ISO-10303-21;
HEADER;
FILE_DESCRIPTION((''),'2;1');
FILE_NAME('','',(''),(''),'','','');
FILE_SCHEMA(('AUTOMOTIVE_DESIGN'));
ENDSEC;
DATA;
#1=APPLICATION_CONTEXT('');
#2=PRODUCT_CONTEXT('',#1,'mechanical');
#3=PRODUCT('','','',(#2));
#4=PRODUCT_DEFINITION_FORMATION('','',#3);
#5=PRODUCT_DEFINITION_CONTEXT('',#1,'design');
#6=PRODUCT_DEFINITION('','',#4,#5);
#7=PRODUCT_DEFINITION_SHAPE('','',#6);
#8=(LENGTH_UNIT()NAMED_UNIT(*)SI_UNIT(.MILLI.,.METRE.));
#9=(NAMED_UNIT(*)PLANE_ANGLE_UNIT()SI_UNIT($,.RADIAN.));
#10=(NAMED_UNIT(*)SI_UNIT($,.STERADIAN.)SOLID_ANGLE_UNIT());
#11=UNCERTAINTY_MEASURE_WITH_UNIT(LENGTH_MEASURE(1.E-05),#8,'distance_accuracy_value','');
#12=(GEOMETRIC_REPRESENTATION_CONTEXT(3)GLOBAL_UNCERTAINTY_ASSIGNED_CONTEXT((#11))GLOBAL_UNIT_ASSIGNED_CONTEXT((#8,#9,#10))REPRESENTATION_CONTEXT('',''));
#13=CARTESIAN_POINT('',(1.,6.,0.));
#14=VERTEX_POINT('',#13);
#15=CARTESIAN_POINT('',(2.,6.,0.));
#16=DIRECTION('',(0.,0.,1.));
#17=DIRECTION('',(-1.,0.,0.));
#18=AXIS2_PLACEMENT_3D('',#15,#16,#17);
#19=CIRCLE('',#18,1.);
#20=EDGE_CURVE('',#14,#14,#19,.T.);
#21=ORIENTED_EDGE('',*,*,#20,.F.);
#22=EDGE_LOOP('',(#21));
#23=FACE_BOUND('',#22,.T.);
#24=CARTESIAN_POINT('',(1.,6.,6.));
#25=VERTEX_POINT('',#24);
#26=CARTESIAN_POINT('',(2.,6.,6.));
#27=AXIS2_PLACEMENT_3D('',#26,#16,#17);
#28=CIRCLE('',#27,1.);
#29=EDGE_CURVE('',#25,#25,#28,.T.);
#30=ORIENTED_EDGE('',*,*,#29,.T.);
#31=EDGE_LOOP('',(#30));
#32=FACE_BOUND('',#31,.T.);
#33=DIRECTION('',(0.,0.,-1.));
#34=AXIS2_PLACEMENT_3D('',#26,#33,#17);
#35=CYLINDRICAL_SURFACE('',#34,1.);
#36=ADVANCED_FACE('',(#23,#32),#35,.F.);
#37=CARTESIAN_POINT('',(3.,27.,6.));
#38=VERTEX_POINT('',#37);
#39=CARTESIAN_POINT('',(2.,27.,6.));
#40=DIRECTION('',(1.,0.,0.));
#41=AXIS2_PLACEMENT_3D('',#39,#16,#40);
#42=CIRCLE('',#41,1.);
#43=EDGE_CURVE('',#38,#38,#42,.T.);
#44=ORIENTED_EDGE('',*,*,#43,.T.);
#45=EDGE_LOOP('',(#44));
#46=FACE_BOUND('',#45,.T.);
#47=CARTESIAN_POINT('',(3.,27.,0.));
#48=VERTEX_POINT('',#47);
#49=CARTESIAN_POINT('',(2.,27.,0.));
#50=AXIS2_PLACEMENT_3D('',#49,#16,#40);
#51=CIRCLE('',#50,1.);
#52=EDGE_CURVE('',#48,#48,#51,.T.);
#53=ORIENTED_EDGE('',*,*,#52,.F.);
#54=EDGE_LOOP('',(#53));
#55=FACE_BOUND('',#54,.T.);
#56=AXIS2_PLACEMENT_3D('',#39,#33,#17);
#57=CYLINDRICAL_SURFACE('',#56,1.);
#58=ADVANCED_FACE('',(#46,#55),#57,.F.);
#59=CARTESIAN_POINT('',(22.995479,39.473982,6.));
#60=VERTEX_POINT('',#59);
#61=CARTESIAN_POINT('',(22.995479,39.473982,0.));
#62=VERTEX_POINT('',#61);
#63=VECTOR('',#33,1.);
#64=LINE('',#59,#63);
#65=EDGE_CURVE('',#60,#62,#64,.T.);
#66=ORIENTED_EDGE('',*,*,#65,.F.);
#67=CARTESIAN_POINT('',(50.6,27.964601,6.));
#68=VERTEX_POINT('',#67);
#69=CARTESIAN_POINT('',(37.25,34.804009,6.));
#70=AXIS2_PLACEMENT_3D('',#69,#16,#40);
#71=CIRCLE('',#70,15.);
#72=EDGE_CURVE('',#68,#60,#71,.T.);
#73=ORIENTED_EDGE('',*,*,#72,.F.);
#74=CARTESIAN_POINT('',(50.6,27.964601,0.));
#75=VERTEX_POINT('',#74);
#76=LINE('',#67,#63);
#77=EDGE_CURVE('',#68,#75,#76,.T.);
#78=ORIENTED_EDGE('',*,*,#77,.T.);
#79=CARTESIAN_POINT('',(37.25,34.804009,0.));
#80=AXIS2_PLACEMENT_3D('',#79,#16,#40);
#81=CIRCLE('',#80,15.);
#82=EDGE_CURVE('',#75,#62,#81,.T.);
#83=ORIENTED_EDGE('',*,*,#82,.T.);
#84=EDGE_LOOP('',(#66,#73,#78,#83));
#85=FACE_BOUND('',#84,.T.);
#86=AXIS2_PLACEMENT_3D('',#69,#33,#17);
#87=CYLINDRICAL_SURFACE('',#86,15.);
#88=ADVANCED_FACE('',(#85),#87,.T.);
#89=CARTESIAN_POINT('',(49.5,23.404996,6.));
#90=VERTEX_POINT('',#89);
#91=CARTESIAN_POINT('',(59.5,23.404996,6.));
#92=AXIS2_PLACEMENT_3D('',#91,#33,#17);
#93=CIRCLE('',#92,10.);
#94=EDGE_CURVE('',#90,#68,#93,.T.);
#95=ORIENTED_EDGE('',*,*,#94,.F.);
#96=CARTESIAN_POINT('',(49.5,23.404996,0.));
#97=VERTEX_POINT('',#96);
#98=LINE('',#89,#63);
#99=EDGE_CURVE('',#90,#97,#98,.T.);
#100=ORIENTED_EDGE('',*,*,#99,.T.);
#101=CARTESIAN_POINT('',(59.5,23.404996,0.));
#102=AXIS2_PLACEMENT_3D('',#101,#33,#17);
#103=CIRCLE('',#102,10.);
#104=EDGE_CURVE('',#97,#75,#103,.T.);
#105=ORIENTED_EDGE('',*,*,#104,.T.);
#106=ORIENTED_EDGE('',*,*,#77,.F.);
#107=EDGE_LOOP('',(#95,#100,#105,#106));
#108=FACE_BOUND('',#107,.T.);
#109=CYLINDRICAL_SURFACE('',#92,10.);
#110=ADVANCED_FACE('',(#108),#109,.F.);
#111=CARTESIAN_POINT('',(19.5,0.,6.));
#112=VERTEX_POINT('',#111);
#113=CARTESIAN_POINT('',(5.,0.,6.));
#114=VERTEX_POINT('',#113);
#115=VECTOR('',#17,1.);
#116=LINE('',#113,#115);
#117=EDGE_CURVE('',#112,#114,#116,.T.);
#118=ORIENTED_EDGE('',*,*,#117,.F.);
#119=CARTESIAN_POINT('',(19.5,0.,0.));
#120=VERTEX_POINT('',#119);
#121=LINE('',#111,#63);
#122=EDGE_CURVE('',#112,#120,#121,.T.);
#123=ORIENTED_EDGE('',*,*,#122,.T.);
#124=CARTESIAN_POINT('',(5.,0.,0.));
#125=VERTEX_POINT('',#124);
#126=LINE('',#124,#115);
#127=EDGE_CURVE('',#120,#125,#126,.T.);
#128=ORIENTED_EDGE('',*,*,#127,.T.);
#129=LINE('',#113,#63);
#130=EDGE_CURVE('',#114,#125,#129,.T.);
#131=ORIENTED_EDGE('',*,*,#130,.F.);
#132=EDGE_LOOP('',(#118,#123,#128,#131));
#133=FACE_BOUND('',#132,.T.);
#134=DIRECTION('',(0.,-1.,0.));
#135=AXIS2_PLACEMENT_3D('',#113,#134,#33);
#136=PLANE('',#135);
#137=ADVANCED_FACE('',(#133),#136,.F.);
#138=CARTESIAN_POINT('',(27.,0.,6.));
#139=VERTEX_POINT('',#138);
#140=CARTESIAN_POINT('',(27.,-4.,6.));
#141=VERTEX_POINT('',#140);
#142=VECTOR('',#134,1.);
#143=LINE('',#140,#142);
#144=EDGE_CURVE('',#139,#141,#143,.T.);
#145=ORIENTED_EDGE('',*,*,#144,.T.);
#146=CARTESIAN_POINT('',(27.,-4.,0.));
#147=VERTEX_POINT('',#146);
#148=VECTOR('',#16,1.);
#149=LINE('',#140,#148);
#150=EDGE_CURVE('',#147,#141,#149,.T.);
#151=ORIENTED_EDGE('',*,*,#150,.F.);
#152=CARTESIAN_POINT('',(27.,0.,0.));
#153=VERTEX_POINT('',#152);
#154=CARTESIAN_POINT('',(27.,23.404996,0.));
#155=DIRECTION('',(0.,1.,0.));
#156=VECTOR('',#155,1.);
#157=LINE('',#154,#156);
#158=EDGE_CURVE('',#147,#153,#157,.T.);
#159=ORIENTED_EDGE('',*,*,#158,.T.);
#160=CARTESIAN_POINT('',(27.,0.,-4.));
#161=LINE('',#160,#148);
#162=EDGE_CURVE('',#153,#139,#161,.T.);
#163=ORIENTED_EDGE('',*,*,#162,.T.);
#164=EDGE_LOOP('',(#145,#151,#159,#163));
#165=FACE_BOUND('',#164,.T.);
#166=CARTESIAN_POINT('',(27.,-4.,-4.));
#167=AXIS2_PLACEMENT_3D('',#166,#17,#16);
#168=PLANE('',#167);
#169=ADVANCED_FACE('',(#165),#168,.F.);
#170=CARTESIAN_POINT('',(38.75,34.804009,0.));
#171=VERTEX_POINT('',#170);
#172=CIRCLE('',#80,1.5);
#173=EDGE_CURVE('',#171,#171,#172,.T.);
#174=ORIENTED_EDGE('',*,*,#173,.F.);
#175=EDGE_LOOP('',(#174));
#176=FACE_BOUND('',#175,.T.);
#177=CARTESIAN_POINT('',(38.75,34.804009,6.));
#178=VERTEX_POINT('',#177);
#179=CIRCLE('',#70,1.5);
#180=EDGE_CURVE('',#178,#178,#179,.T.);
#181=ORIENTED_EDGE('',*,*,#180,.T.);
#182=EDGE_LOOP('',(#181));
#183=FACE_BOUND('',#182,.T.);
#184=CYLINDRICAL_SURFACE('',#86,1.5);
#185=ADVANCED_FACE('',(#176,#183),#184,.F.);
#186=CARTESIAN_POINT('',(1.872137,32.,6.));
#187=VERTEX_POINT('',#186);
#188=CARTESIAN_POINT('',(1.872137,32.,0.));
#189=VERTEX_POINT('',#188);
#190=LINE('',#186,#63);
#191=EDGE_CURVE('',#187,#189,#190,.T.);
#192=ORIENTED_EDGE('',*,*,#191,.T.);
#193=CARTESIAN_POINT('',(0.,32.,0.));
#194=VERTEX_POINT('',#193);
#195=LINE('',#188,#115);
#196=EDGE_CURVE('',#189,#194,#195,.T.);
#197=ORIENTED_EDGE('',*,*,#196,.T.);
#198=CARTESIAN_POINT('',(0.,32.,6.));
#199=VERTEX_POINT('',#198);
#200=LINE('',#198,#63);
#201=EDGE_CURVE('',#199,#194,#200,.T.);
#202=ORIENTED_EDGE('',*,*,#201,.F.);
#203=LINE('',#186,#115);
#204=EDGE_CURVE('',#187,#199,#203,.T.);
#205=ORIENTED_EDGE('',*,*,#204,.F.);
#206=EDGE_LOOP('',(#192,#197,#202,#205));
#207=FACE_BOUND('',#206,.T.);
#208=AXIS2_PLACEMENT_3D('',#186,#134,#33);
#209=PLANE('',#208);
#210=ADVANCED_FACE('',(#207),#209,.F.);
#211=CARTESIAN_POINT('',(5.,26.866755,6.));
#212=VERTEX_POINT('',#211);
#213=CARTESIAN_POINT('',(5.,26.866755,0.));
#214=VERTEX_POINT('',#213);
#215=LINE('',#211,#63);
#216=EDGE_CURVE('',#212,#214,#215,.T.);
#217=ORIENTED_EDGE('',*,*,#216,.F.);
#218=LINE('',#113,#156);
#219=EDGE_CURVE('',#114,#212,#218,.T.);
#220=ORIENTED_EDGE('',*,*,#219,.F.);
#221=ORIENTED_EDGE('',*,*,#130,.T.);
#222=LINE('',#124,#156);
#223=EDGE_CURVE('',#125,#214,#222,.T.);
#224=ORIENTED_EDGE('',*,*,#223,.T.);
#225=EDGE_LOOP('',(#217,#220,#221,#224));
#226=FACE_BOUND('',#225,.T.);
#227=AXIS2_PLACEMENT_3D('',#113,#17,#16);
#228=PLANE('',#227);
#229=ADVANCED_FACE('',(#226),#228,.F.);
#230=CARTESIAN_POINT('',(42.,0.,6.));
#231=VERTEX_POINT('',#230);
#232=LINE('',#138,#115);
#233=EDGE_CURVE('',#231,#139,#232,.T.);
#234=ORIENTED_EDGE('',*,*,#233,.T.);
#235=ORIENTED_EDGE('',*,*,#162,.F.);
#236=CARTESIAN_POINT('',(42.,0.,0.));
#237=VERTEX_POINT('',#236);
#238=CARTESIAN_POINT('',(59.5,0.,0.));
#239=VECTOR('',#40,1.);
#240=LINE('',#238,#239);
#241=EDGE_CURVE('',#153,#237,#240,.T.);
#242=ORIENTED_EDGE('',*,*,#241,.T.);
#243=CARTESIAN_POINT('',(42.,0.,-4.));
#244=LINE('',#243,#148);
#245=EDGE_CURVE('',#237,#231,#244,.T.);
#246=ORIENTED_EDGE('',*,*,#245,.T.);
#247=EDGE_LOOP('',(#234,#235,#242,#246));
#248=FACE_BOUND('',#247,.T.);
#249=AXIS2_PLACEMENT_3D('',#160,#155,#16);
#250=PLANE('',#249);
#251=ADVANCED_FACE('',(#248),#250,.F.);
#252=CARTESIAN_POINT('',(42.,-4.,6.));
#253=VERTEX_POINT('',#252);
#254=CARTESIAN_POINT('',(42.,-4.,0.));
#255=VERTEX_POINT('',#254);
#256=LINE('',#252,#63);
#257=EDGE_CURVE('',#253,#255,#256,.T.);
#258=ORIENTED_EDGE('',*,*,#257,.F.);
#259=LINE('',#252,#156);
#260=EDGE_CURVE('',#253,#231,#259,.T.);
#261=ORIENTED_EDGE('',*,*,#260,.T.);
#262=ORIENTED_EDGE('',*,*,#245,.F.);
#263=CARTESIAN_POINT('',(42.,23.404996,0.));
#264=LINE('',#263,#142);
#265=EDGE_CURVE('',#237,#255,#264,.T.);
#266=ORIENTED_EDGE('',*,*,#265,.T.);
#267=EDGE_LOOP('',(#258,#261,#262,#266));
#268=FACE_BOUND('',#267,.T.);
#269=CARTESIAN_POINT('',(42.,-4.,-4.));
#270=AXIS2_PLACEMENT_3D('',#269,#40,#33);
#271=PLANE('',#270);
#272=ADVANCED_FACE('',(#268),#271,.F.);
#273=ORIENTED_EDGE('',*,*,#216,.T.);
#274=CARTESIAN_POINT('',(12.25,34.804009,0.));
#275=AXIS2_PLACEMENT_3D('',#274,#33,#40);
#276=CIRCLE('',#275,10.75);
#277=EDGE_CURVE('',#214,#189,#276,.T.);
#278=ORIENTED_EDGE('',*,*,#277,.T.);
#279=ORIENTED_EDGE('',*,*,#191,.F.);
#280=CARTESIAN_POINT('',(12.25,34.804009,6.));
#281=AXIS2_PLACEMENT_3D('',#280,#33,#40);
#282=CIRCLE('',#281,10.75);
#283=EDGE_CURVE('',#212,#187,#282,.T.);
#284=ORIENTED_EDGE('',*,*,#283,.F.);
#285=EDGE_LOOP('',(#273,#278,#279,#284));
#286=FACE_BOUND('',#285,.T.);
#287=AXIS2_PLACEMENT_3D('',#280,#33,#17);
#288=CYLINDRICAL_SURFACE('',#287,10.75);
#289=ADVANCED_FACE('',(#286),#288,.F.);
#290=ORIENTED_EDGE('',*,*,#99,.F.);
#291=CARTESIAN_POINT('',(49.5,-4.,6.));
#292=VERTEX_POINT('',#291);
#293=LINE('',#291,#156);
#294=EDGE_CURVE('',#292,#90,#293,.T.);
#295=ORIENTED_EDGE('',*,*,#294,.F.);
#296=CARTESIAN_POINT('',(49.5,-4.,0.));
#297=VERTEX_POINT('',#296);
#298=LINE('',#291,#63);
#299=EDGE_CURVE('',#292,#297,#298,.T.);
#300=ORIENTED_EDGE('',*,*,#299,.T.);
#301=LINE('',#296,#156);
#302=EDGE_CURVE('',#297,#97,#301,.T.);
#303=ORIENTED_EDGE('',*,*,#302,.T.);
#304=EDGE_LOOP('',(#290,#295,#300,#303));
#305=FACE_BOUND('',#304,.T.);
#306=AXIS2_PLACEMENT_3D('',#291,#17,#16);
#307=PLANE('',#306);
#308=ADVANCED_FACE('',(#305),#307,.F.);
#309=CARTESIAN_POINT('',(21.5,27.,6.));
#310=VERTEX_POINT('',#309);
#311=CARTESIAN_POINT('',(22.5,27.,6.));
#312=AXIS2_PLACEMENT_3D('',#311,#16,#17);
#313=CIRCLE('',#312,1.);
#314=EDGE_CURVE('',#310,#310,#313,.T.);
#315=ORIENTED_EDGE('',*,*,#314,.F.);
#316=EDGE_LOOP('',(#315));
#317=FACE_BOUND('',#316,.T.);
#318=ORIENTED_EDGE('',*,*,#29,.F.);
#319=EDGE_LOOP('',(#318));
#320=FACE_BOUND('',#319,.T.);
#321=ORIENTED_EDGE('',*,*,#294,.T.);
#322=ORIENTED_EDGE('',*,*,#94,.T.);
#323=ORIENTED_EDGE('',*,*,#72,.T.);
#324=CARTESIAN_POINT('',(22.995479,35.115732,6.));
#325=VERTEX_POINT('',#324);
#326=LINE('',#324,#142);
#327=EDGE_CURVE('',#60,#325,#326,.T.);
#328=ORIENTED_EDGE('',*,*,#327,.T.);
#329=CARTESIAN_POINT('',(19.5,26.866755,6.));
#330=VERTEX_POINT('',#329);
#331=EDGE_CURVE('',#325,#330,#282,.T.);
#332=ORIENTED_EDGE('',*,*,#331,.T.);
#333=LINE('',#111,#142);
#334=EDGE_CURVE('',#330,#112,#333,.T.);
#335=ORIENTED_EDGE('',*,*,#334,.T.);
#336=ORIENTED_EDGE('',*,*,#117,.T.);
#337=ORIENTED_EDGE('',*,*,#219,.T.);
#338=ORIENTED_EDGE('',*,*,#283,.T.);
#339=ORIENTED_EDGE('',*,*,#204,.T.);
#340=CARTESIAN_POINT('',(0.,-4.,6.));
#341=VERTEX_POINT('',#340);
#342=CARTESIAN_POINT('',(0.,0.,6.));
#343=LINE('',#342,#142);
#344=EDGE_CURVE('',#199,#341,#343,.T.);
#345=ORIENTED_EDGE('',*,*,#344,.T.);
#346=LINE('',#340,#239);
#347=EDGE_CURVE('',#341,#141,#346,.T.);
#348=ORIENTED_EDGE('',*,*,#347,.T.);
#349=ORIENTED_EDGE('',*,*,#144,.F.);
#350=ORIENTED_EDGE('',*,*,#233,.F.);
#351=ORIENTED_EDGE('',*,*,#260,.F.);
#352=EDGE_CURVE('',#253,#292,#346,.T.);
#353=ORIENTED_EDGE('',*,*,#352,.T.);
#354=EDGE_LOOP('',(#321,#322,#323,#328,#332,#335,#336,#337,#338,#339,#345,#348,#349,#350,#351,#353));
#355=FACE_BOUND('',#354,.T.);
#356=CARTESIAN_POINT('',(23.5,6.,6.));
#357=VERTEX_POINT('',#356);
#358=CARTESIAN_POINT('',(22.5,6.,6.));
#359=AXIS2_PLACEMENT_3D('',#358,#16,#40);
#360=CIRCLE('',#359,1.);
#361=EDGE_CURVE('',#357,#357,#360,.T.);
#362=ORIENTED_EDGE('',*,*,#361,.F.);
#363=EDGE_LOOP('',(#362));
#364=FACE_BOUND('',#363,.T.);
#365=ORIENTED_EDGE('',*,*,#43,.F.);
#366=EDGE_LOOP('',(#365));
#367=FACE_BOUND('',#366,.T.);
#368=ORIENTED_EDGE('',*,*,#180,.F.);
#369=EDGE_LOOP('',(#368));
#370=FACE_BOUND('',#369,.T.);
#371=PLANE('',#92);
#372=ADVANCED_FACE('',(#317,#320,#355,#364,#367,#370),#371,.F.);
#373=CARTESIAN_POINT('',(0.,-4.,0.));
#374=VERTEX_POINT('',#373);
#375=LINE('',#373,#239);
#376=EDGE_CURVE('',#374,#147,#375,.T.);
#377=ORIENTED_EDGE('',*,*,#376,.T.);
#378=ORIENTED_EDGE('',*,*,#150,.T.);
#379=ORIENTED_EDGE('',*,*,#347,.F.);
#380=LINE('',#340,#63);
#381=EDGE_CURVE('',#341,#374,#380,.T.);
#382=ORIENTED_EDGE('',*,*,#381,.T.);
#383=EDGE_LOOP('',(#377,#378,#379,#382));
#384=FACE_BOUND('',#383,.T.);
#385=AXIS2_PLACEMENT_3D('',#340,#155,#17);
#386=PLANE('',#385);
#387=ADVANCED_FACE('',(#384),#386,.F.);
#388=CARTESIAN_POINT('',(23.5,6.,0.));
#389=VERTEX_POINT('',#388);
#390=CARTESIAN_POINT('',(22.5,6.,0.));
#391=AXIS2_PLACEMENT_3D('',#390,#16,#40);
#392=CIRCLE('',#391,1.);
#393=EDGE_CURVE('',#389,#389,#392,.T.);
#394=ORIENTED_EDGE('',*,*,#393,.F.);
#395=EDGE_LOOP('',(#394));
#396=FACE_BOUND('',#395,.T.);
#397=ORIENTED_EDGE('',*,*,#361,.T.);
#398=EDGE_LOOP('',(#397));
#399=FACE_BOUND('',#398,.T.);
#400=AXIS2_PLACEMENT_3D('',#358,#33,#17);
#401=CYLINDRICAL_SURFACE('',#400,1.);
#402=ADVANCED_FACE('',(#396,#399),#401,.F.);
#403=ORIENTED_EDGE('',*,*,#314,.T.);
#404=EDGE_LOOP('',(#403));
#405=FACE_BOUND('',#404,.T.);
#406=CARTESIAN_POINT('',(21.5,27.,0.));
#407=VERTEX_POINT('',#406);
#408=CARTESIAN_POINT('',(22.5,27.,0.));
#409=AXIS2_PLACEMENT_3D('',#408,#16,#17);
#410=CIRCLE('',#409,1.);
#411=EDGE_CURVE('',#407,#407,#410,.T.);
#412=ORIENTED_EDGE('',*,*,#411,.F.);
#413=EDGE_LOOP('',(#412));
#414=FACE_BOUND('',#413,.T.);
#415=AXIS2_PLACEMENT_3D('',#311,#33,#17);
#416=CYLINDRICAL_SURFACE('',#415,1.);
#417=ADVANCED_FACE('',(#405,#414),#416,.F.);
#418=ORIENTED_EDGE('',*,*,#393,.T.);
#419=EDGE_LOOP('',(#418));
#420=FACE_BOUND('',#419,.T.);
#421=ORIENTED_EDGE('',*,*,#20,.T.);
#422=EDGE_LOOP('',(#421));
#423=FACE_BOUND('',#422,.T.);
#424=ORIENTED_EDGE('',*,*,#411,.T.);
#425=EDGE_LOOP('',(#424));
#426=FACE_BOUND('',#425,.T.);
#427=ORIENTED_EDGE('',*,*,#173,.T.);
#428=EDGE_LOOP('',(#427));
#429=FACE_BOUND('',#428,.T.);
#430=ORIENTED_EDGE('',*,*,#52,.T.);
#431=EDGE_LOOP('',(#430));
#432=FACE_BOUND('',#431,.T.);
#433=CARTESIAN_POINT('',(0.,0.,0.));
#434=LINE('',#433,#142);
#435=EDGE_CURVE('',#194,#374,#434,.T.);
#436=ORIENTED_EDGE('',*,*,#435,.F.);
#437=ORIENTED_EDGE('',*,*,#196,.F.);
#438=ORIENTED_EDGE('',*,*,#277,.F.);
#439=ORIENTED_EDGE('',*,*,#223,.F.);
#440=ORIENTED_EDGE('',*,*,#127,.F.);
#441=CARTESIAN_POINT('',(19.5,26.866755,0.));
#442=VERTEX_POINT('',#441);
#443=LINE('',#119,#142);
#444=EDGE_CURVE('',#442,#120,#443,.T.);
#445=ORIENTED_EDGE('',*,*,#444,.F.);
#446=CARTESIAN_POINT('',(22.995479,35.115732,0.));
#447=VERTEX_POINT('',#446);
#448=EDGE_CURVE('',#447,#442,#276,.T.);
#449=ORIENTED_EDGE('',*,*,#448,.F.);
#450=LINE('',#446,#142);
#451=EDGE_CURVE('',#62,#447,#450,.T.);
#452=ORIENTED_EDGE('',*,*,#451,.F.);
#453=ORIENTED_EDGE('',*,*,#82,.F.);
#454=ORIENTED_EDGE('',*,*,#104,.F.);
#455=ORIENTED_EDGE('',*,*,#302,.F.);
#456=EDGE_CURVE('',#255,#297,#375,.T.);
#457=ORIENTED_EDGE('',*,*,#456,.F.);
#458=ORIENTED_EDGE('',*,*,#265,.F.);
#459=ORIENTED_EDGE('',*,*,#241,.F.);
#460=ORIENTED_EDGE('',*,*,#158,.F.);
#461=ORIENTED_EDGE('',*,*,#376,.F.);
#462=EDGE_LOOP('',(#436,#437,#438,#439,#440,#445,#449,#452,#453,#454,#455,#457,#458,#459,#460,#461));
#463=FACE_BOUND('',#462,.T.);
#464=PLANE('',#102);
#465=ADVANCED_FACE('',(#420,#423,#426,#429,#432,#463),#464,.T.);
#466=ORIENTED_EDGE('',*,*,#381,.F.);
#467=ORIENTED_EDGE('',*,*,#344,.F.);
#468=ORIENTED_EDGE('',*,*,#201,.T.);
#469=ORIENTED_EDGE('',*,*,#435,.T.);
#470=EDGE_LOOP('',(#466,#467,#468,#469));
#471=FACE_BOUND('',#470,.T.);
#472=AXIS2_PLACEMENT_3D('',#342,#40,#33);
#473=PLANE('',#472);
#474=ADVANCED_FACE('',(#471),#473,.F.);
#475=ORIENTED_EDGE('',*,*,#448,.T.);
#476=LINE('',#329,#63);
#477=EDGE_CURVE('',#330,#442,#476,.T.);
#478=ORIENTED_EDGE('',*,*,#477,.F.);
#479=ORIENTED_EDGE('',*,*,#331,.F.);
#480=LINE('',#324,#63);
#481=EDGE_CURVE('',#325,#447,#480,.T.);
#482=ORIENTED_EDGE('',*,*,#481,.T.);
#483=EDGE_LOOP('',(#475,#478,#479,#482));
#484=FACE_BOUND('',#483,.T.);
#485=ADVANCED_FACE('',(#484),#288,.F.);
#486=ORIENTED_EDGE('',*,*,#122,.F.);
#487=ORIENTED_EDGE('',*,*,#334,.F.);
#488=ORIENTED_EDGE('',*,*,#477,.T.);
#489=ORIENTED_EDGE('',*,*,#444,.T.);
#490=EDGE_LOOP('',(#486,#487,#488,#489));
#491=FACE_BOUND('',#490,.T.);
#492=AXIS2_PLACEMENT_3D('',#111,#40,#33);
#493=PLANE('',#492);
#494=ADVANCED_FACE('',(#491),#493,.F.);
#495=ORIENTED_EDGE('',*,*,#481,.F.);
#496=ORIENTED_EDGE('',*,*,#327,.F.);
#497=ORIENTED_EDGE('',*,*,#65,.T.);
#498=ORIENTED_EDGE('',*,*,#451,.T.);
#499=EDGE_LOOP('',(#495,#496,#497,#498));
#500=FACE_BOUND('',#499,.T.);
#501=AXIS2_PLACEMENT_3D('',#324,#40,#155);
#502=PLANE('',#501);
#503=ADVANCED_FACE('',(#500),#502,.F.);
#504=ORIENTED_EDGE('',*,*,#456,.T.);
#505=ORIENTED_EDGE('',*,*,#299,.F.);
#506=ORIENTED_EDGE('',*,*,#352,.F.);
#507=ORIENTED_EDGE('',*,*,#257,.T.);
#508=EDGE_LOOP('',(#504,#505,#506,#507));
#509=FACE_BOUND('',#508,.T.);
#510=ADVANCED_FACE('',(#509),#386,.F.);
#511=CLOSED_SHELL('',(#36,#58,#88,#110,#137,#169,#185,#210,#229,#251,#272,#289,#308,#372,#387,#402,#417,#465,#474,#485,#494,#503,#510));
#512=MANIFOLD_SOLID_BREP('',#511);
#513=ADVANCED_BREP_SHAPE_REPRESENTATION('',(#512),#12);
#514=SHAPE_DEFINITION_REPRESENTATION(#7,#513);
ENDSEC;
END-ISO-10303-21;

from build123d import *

# Parameters (mm, degrees)
SKETCH_1_R          = 1
SKETCH_1_R_2        = 1.5
EXTRUDE_1_DEPTH     = 6
SKETCH_3_W          = 15
SKETCH_3_H          = 4
CUT_EXTRUDE_1_DEPTH = 10


with BuildPart() as part:
    # Эскиз1 → Бобышка-Вытянуть1 (new body)
    with BuildSketch(Plane.XY):
        with BuildLine():
            Line((0, 0), (0, 32))
            Line((0, 32), (1.872137409, 32))
            ThreePointArc((1.872137409, 32), (3.069970858, 29.210301659), (5, 26.866755347))
            Line((5, 26.866755347), (5, 0))
            Line((5, 0), (19.5, 0))
            Line((19.5, 0), (19.5, 26.866755347))
            ThreePointArc((19.5, 26.866755347), (22.14801609, 30.609753984), (22.995479479, 35.115731548))
            Line((22.995479479, 35.115731548), (22.995479479, 39.473981947))
            ThreePointArc((22.995479479, 39.473981947), (43.022434445, 48.648827827), (50.6, 27.964601411))
            ThreePointArc((50.6, 27.964601411), (49.778888952, 25.750204045), (49.5, 23.404996165))
            Line((49.5, 23.404996165), (49.5, -4))
            Line((49.5, -4), (0, -4))
            Line((0, -4), (0, 0))
        make_face()
        with Locations((2, 27)):
            Circle(SKETCH_1_R, mode=Mode.SUBTRACT)
        with Locations(Location((22.5, 27, 0), (0, 0, 180))):
            Circle(SKETCH_1_R, mode=Mode.SUBTRACT)
        with Locations((22.5, 6)):
            Circle(SKETCH_1_R, mode=Mode.SUBTRACT)
        with Locations(Location((2, 6, 0), (0, 0, 180))):
            Circle(SKETCH_1_R, mode=Mode.SUBTRACT)
        with Locations((37.25, 34.80400928)):
            Circle(SKETCH_1_R_2, mode=Mode.SUBTRACT)
    extrude(amount=EXTRUDE_1_DEPTH)

    # Эскиз3 → Вырез-Вытянуть1 (cut)
    with BuildSketch(Plane.XY.offset(6)):
        with Locations((34.5, -2)):
            Rectangle(SKETCH_3_W, SKETCH_3_H)
    extrude(amount=-CUT_EXTRUDE_1_DEPTH, mode=Mode.SUBTRACT)


solid = part.part
